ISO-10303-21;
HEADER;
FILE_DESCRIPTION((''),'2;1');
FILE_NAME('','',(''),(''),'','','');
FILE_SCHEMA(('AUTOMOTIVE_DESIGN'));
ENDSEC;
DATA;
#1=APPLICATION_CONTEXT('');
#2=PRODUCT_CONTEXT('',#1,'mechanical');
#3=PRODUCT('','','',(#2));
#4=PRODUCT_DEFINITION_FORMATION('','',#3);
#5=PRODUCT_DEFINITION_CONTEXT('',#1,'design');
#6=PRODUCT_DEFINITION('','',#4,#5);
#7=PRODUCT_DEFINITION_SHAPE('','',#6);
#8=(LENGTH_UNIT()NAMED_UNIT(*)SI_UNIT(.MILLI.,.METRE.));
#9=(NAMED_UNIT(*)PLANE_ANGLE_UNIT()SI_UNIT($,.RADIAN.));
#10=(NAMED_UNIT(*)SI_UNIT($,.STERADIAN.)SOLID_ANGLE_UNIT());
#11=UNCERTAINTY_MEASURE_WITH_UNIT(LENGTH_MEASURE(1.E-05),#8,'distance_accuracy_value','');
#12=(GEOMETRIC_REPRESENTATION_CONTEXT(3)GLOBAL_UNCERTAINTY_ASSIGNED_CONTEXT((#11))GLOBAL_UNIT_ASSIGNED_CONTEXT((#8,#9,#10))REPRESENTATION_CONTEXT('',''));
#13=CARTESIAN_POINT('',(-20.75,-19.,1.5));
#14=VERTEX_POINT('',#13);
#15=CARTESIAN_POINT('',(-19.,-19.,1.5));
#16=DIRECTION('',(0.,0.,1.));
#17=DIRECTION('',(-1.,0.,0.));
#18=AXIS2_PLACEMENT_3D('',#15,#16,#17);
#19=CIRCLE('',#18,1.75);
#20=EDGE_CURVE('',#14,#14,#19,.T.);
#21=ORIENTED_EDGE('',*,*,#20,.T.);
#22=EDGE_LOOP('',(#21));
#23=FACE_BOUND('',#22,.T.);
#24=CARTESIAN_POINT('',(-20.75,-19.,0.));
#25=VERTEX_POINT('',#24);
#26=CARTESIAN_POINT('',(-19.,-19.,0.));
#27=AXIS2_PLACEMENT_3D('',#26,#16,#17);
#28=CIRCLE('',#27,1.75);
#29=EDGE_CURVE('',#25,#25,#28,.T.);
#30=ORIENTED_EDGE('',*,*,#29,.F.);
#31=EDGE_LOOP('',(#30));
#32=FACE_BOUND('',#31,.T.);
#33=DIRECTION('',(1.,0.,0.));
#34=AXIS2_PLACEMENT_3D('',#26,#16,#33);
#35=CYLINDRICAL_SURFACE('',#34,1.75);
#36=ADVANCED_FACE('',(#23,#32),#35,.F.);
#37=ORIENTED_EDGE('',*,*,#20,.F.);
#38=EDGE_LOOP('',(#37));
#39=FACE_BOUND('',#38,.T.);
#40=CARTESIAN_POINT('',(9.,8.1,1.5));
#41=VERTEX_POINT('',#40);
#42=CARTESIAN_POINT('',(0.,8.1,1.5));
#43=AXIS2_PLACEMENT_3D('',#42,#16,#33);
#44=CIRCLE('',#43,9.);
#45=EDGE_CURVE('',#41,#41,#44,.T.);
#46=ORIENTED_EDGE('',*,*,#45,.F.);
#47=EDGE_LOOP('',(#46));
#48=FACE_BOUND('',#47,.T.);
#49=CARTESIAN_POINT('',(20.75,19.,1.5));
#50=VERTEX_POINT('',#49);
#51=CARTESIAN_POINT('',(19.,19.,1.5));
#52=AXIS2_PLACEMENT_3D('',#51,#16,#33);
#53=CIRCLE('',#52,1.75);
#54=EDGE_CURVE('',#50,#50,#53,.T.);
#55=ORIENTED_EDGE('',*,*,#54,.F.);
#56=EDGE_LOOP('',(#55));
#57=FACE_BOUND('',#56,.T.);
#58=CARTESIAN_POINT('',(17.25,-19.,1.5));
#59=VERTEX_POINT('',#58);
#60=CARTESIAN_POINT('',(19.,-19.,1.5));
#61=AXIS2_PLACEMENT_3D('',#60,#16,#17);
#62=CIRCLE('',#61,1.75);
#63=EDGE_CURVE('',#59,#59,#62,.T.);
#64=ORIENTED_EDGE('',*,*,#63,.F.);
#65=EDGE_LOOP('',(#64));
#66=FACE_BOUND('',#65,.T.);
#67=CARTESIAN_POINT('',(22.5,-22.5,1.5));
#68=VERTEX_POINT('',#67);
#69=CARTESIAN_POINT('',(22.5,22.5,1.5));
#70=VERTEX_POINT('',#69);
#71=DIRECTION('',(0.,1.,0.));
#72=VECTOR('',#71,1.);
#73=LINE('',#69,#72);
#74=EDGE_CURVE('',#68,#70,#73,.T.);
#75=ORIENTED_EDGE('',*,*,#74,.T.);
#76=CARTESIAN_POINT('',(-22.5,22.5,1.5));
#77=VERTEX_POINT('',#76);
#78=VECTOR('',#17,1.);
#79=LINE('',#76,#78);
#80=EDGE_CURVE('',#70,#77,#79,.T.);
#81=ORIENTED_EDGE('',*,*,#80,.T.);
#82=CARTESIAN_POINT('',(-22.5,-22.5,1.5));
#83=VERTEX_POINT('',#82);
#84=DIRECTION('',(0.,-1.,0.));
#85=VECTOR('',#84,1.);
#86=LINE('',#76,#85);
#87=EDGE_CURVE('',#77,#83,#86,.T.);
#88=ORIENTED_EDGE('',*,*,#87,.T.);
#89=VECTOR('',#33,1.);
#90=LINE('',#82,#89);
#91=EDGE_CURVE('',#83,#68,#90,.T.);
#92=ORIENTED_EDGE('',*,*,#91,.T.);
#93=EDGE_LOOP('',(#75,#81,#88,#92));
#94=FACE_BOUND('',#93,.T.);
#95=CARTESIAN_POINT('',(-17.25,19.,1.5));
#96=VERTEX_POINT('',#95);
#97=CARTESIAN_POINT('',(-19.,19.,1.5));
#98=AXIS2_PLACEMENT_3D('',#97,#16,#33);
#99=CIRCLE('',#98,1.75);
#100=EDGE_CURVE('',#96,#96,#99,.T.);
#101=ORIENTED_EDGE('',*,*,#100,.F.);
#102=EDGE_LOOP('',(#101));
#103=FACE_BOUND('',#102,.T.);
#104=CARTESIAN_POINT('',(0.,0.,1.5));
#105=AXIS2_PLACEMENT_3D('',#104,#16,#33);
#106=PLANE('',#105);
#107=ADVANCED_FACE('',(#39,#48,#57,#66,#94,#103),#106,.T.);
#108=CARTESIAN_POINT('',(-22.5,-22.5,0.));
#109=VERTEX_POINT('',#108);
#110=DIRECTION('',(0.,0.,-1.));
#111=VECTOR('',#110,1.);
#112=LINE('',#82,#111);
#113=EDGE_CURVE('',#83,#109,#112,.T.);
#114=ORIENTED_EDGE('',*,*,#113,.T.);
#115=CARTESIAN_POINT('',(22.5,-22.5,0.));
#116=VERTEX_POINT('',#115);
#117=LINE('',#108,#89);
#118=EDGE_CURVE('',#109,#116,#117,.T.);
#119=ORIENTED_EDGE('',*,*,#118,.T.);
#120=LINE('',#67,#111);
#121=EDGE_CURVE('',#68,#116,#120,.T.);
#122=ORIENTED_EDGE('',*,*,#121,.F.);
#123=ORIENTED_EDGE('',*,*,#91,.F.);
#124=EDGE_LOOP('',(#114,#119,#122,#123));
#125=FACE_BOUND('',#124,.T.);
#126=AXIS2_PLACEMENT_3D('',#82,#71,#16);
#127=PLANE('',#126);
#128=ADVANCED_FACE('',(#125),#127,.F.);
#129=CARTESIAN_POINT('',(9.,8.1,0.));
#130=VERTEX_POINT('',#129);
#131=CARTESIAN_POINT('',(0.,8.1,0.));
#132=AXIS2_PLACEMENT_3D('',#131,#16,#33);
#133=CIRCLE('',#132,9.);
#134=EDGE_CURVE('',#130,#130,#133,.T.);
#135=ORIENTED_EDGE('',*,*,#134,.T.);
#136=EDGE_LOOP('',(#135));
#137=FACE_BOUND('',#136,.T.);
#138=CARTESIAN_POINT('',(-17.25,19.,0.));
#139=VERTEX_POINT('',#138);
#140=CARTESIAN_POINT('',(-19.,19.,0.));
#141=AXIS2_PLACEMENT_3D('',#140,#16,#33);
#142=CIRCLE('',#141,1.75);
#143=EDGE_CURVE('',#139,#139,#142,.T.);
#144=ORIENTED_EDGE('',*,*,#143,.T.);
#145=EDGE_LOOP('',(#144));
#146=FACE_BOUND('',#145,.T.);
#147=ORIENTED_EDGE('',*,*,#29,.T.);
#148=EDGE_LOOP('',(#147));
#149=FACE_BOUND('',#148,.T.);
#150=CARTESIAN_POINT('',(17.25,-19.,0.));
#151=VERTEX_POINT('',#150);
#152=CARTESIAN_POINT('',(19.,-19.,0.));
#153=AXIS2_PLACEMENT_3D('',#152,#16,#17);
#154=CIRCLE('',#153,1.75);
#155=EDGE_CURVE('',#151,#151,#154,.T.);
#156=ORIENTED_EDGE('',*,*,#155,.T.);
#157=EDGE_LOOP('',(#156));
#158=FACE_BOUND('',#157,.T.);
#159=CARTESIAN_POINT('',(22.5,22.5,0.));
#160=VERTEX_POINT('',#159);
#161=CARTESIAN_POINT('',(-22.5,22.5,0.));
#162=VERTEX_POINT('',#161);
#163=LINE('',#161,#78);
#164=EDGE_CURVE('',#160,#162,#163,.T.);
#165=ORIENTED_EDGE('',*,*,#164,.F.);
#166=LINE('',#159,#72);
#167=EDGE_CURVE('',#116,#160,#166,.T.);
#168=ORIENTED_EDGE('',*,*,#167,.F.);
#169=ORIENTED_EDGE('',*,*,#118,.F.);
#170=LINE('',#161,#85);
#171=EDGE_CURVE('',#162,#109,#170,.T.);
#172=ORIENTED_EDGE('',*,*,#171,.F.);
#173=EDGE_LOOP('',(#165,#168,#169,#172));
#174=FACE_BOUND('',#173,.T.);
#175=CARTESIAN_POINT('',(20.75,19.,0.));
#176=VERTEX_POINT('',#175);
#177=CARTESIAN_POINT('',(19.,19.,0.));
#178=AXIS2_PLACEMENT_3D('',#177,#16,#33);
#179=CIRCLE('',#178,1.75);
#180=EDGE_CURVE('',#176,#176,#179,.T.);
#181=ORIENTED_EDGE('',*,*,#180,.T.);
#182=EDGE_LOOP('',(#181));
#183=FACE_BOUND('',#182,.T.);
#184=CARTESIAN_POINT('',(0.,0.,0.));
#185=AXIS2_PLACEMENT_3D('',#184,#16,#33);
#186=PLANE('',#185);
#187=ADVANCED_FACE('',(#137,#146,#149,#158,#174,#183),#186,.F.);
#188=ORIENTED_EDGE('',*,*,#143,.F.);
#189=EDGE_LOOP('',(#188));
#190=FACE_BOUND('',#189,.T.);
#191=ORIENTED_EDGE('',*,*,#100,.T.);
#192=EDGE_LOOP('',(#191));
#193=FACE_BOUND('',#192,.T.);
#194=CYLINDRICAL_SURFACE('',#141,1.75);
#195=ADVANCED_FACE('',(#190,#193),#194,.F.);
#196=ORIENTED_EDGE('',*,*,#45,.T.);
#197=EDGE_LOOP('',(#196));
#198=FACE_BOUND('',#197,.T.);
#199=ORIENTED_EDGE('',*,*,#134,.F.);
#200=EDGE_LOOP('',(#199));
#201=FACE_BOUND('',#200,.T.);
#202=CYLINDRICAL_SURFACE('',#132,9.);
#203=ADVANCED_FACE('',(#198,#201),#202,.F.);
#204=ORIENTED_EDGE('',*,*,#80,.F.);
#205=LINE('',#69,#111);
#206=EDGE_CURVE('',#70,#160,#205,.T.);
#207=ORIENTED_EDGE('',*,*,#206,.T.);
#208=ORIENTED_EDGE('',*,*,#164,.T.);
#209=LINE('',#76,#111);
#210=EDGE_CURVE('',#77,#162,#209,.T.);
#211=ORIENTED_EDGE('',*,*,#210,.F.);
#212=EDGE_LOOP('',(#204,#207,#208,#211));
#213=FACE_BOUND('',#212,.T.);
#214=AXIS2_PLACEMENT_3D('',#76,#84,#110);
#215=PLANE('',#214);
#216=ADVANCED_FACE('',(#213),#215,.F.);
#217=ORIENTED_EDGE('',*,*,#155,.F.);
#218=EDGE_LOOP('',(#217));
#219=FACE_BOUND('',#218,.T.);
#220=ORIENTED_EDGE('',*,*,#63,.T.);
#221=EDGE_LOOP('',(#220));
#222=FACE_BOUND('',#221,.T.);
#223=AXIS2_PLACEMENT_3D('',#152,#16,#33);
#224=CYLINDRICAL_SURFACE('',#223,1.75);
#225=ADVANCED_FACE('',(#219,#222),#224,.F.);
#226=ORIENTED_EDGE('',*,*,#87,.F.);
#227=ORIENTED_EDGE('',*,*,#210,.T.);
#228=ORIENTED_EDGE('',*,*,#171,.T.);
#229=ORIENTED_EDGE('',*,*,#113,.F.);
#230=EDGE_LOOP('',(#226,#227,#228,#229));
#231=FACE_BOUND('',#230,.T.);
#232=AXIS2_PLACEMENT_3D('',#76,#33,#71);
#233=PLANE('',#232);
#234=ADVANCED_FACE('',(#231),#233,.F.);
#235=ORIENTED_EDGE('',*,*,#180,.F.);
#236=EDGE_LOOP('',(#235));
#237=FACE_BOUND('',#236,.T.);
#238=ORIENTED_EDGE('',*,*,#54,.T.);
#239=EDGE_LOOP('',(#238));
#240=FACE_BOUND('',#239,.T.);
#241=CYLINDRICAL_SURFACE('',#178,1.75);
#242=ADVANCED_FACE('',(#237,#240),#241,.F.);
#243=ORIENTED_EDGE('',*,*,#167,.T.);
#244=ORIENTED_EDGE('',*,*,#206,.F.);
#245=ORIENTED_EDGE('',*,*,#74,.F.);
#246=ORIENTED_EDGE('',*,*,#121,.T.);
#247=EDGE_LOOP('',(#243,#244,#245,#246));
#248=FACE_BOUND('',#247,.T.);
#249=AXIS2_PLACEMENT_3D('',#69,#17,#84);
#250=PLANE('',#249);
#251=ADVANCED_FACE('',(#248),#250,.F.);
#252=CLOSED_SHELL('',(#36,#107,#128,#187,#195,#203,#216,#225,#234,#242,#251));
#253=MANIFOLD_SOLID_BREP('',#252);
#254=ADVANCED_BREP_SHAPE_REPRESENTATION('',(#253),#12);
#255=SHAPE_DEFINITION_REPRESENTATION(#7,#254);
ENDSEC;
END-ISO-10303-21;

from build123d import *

# Parameters (mm, degrees)
SKETCH1_W           = 45
SKETCH1_H           = 45
BOSS_EXTRUDE1_DEPTH = 1.5
SKETCH2_R           = 1.75
SKETCH2_R_2         = 9
CUT_EXTRUDE1_DEPTH  = 32.855140872


with BuildPart() as part:
    # Sketch1 → Boss-Extrude1 (new body)
    with BuildSketch(Plane.XY):
        Rectangle(SKETCH1_W, SKETCH1_H)
    extrude(amount=BOSS_EXTRUDE1_DEPTH)

    # Sketch2 → Cut-Extrude1 (cut, through all)
    with BuildSketch(Plane.XY.offset(1.5)):
        with Locations((-19, 19)):
            Circle(SKETCH2_R)
        with Locations(Location((19, -19, 0), (0, 0, 180))):
            Circle(SKETCH2_R)
        with Locations((19, 19)):
            Circle(SKETCH2_R)
        with Locations(Location((-19, -19, 0), (0, 0, 180))):
            Circle(SKETCH2_R)
        with Locations((0, 8.1)):
            Circle(SKETCH2_R_2)
    extrude(amount=-CUT_EXTRUDE1_DEPTH, mode=Mode.SUBTRACT)


solid = part.part
